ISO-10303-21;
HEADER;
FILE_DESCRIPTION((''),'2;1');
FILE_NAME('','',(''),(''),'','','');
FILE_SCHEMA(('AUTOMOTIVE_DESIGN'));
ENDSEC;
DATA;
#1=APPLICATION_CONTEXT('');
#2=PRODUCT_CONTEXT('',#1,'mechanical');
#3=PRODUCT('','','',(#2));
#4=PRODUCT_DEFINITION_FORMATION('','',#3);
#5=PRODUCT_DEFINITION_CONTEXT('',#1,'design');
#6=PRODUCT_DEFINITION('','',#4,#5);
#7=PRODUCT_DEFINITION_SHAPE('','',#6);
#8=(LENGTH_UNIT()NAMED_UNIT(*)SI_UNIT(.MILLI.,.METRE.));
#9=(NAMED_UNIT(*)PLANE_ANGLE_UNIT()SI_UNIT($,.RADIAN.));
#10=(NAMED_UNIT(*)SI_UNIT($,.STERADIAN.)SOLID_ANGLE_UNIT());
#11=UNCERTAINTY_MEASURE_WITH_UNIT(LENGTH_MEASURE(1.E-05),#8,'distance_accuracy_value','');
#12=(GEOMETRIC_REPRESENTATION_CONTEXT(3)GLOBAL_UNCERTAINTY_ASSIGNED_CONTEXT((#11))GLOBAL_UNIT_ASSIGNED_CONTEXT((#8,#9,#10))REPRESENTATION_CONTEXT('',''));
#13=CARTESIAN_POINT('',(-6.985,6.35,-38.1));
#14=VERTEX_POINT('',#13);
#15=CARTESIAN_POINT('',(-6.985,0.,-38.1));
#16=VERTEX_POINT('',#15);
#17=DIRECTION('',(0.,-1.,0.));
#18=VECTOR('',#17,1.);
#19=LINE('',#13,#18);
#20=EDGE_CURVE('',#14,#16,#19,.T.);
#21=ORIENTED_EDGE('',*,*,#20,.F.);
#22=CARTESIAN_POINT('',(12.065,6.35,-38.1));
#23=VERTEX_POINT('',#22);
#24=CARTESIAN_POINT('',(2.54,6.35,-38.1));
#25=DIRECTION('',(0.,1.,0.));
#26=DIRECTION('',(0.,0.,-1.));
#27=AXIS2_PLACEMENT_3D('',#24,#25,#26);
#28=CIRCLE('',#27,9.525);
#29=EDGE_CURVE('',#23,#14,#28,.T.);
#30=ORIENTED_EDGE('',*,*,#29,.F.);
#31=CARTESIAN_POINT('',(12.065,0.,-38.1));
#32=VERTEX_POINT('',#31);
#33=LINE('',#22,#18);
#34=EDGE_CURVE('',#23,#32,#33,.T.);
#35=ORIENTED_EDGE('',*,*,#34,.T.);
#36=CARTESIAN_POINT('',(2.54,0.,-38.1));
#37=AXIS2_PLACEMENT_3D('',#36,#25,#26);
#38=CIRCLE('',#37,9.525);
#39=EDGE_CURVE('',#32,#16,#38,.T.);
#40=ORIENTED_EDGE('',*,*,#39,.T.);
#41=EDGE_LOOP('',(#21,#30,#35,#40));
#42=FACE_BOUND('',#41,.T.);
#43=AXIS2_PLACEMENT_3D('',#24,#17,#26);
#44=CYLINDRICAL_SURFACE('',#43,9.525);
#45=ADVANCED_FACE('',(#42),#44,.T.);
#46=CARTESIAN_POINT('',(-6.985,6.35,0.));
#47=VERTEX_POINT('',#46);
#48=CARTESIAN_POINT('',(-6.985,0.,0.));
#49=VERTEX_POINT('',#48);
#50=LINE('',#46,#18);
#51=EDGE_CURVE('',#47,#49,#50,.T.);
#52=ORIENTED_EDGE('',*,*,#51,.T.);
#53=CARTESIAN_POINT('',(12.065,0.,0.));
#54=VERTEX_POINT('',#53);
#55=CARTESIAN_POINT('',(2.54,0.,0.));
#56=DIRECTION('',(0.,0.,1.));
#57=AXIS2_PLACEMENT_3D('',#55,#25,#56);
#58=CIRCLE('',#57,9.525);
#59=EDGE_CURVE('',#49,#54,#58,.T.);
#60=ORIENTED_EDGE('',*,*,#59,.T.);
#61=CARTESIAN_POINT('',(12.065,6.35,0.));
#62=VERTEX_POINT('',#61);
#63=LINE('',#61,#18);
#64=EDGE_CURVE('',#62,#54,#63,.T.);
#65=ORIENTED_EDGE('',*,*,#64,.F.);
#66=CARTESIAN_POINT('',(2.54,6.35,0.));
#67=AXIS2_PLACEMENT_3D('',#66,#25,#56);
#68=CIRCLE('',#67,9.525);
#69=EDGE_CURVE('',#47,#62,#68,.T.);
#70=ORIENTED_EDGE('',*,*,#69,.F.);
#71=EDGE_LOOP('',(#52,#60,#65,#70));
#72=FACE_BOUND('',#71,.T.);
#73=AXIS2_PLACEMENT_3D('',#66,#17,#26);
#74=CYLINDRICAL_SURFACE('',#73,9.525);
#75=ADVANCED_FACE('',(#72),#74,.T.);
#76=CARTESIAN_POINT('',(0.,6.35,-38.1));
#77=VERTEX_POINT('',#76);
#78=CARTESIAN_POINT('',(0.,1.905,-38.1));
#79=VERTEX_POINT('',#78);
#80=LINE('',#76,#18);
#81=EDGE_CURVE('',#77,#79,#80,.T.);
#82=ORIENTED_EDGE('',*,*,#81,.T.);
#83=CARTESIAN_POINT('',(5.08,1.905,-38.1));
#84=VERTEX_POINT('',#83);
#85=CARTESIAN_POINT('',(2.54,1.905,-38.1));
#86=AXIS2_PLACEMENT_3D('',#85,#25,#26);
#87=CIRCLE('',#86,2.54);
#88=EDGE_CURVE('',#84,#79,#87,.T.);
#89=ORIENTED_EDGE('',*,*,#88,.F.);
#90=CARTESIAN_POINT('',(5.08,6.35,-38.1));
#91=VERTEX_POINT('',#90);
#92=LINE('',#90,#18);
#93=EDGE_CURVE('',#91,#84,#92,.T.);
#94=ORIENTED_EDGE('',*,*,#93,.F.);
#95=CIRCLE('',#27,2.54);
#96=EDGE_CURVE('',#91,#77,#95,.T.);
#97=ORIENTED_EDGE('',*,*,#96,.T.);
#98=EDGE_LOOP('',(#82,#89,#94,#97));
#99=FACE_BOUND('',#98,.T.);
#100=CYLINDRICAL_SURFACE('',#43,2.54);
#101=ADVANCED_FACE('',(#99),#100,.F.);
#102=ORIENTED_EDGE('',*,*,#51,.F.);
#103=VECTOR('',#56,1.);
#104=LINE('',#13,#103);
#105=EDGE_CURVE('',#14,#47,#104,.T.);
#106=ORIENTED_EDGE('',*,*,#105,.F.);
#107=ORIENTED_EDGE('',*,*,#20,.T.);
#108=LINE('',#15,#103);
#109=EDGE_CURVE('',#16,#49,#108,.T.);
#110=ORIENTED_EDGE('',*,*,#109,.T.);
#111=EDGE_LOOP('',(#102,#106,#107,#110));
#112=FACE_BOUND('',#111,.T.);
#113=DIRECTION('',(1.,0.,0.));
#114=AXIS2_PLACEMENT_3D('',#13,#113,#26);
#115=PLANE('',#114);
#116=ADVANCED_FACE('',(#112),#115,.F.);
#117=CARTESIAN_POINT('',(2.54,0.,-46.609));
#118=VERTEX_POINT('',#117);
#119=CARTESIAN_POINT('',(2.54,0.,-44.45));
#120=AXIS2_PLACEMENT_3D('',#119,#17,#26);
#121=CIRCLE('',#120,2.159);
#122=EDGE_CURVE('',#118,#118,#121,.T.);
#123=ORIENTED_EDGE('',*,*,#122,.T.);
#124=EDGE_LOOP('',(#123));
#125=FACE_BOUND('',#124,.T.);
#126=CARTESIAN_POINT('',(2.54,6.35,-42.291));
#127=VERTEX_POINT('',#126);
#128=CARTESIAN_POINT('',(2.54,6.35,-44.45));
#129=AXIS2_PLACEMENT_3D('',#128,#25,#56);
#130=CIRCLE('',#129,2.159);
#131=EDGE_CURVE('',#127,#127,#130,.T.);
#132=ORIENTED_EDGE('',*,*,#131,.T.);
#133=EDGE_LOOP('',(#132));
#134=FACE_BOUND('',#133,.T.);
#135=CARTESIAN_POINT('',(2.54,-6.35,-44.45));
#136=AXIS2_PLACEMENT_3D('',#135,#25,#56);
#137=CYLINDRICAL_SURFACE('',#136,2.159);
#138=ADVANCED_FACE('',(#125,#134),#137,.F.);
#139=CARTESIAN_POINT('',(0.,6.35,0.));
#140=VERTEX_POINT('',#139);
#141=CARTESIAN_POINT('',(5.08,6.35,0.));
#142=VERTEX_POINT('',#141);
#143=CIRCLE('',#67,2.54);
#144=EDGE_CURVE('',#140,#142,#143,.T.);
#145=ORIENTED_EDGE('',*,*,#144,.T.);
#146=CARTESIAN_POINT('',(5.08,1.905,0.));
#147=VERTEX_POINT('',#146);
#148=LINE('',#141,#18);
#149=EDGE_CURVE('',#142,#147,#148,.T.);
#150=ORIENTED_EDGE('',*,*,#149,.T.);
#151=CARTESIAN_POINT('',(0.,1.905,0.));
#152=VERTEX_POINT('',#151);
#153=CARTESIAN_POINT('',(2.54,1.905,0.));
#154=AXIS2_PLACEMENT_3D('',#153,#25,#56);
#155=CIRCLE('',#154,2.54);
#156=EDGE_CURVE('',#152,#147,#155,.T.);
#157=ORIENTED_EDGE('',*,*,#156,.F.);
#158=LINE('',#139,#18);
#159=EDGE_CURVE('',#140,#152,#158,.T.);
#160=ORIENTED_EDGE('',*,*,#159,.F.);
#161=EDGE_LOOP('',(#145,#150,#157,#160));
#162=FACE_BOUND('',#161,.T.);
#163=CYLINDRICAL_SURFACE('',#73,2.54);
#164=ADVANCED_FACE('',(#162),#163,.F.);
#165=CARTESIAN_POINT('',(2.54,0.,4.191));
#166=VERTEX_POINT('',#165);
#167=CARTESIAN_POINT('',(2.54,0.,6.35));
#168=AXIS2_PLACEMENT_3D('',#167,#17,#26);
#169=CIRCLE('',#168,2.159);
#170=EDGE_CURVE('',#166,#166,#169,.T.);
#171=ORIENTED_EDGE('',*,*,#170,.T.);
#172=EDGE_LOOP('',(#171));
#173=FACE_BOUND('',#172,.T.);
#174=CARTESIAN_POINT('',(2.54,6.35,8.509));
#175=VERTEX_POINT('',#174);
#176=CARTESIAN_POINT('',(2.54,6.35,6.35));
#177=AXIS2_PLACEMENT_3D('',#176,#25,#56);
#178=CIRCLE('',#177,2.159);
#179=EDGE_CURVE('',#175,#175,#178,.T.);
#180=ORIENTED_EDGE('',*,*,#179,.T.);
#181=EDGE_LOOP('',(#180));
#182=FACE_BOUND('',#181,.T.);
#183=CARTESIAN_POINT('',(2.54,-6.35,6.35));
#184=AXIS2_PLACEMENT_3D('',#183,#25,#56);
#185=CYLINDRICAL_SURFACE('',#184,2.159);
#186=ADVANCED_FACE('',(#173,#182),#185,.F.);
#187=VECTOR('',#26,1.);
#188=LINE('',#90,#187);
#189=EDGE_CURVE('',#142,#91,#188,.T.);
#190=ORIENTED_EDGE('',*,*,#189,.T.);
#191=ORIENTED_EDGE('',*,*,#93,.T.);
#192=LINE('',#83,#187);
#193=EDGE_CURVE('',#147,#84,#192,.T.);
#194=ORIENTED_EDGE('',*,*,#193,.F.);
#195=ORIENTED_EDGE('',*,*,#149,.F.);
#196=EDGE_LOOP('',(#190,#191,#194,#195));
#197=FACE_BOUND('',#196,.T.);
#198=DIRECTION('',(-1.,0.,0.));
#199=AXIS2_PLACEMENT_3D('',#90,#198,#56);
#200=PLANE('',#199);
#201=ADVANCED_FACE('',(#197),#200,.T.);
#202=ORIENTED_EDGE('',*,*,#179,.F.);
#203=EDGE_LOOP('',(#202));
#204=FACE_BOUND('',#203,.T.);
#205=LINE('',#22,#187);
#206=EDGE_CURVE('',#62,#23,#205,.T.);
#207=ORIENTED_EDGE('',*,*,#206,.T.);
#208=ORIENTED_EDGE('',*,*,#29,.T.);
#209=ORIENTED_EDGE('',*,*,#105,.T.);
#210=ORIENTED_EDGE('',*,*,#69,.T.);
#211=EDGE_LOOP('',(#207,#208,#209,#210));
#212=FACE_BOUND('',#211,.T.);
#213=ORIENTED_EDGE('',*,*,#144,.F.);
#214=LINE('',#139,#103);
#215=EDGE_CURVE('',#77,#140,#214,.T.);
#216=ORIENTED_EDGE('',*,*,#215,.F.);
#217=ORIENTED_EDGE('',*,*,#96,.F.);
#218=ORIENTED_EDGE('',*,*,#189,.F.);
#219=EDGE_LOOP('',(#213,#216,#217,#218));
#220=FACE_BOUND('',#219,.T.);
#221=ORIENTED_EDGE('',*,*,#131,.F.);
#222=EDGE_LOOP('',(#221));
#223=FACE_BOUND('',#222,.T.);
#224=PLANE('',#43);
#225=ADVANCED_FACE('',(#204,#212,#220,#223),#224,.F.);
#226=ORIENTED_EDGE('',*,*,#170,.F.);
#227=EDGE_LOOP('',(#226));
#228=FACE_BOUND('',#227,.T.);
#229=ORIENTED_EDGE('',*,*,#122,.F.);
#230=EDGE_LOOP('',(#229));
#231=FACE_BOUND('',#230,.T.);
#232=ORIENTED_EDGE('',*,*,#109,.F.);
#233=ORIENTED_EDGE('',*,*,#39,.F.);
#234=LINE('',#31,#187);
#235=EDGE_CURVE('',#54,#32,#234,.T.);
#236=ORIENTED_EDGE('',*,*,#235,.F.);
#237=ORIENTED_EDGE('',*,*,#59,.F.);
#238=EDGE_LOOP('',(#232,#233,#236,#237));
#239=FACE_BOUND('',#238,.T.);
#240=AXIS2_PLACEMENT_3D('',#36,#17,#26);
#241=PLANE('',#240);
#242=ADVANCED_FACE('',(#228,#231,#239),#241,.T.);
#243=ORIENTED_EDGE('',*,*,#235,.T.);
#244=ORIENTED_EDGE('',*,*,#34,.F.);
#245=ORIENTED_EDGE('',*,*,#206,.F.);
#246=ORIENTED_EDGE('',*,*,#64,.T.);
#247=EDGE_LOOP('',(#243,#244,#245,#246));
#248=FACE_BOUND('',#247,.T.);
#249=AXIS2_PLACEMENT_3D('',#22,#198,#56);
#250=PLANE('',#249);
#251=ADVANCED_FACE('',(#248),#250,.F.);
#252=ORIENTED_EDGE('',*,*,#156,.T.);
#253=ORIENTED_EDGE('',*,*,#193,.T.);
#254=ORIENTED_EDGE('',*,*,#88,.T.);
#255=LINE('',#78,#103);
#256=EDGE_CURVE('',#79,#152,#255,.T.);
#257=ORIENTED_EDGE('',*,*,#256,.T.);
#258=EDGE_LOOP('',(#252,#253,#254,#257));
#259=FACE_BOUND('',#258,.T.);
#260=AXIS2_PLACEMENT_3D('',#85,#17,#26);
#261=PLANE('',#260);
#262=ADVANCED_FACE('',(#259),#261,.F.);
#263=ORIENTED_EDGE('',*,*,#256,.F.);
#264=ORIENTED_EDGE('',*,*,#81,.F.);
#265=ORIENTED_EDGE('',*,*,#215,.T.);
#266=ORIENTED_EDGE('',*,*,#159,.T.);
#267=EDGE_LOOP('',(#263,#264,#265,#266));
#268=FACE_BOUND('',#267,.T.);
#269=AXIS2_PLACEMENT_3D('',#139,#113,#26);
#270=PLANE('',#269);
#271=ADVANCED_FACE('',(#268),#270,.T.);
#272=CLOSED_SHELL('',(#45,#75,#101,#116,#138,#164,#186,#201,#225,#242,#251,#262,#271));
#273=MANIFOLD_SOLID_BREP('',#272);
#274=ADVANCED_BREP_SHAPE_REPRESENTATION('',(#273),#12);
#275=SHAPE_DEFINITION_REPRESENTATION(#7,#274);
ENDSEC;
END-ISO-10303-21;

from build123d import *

# Parameters (mm, degrees)
BOSS_EXTRUDE1_DEPTH = 6.35
BOSS_EXTRUDE2_DEPTH = 1.905
SKETCH3_R           = 2.159
CUT_EXTRUDE1_DEPTH  = 12.7


with BuildPart() as part:
    # Sketch1 → Boss-Extrude1 (new body)
    with BuildSketch(Plane(origin=(0, 0, 0), x_dir=(1, 0, 0), z_dir=(0, 1, 0))):
        with BuildLine():
            Line((-6.985, 38.1), (-6.985, 0))
            ThreePointArc((-6.985, 0), (2.54, -9.525), (12.065, 0))
            Line((12.065, 0), (12.065, 38.1))
            ThreePointArc((12.065, 38.1), (2.54, 47.625), (-6.985, 38.1))
        make_face()
        with BuildLine():
            Line((0, 0), (0, 38.1))
            ThreePointArc((0, 38.1), (2.54, 40.64), (5.08, 38.1))
            Line((5.08, 38.1), (5.08, 0))
            ThreePointArc((5.08, 0), (2.54, -2.54), (0, 0))
        make_face(mode=Mode.SUBTRACT)
    extrude(amount=BOSS_EXTRUDE1_DEPTH)

    # Sketch2 → Boss-Extrude2 (add)
    with BuildSketch(Plane(origin=(0, 0, 0), x_dir=(1, 0, 0), z_dir=(0, 1, 0))):
        with BuildLine():
            Line((0, 38.1), (0, 0))
            ThreePointArc((0, 0), (2.54, -2.54), (5.08, 0))
            Line((5.08, 0), (5.08, 38.1))
            ThreePointArc((5.08, 38.1), (2.54, 40.64), (0, 38.1))
        make_face()
    extrude(amount=BOSS_EXTRUDE2_DEPTH)

    # Sketch3 → Cut-Extrude1 (cut)
    with BuildSketch(Plane(origin=(0, 6.35, 0), x_dir=(1, 0, 0), z_dir=(0, 1, 0))):
        with Locations(Location((2.54, 44.45, 0), (0, 0, 270))):
            Circle(SKETCH3_R)
        with Locations(Location((2.54, -6.35, 0), (0, 0, 270))):
            Circle(SKETCH3_R)
    extrude(amount=-CUT_EXTRUDE1_DEPTH, mode=Mode.SUBTRACT)


solid = part.part
